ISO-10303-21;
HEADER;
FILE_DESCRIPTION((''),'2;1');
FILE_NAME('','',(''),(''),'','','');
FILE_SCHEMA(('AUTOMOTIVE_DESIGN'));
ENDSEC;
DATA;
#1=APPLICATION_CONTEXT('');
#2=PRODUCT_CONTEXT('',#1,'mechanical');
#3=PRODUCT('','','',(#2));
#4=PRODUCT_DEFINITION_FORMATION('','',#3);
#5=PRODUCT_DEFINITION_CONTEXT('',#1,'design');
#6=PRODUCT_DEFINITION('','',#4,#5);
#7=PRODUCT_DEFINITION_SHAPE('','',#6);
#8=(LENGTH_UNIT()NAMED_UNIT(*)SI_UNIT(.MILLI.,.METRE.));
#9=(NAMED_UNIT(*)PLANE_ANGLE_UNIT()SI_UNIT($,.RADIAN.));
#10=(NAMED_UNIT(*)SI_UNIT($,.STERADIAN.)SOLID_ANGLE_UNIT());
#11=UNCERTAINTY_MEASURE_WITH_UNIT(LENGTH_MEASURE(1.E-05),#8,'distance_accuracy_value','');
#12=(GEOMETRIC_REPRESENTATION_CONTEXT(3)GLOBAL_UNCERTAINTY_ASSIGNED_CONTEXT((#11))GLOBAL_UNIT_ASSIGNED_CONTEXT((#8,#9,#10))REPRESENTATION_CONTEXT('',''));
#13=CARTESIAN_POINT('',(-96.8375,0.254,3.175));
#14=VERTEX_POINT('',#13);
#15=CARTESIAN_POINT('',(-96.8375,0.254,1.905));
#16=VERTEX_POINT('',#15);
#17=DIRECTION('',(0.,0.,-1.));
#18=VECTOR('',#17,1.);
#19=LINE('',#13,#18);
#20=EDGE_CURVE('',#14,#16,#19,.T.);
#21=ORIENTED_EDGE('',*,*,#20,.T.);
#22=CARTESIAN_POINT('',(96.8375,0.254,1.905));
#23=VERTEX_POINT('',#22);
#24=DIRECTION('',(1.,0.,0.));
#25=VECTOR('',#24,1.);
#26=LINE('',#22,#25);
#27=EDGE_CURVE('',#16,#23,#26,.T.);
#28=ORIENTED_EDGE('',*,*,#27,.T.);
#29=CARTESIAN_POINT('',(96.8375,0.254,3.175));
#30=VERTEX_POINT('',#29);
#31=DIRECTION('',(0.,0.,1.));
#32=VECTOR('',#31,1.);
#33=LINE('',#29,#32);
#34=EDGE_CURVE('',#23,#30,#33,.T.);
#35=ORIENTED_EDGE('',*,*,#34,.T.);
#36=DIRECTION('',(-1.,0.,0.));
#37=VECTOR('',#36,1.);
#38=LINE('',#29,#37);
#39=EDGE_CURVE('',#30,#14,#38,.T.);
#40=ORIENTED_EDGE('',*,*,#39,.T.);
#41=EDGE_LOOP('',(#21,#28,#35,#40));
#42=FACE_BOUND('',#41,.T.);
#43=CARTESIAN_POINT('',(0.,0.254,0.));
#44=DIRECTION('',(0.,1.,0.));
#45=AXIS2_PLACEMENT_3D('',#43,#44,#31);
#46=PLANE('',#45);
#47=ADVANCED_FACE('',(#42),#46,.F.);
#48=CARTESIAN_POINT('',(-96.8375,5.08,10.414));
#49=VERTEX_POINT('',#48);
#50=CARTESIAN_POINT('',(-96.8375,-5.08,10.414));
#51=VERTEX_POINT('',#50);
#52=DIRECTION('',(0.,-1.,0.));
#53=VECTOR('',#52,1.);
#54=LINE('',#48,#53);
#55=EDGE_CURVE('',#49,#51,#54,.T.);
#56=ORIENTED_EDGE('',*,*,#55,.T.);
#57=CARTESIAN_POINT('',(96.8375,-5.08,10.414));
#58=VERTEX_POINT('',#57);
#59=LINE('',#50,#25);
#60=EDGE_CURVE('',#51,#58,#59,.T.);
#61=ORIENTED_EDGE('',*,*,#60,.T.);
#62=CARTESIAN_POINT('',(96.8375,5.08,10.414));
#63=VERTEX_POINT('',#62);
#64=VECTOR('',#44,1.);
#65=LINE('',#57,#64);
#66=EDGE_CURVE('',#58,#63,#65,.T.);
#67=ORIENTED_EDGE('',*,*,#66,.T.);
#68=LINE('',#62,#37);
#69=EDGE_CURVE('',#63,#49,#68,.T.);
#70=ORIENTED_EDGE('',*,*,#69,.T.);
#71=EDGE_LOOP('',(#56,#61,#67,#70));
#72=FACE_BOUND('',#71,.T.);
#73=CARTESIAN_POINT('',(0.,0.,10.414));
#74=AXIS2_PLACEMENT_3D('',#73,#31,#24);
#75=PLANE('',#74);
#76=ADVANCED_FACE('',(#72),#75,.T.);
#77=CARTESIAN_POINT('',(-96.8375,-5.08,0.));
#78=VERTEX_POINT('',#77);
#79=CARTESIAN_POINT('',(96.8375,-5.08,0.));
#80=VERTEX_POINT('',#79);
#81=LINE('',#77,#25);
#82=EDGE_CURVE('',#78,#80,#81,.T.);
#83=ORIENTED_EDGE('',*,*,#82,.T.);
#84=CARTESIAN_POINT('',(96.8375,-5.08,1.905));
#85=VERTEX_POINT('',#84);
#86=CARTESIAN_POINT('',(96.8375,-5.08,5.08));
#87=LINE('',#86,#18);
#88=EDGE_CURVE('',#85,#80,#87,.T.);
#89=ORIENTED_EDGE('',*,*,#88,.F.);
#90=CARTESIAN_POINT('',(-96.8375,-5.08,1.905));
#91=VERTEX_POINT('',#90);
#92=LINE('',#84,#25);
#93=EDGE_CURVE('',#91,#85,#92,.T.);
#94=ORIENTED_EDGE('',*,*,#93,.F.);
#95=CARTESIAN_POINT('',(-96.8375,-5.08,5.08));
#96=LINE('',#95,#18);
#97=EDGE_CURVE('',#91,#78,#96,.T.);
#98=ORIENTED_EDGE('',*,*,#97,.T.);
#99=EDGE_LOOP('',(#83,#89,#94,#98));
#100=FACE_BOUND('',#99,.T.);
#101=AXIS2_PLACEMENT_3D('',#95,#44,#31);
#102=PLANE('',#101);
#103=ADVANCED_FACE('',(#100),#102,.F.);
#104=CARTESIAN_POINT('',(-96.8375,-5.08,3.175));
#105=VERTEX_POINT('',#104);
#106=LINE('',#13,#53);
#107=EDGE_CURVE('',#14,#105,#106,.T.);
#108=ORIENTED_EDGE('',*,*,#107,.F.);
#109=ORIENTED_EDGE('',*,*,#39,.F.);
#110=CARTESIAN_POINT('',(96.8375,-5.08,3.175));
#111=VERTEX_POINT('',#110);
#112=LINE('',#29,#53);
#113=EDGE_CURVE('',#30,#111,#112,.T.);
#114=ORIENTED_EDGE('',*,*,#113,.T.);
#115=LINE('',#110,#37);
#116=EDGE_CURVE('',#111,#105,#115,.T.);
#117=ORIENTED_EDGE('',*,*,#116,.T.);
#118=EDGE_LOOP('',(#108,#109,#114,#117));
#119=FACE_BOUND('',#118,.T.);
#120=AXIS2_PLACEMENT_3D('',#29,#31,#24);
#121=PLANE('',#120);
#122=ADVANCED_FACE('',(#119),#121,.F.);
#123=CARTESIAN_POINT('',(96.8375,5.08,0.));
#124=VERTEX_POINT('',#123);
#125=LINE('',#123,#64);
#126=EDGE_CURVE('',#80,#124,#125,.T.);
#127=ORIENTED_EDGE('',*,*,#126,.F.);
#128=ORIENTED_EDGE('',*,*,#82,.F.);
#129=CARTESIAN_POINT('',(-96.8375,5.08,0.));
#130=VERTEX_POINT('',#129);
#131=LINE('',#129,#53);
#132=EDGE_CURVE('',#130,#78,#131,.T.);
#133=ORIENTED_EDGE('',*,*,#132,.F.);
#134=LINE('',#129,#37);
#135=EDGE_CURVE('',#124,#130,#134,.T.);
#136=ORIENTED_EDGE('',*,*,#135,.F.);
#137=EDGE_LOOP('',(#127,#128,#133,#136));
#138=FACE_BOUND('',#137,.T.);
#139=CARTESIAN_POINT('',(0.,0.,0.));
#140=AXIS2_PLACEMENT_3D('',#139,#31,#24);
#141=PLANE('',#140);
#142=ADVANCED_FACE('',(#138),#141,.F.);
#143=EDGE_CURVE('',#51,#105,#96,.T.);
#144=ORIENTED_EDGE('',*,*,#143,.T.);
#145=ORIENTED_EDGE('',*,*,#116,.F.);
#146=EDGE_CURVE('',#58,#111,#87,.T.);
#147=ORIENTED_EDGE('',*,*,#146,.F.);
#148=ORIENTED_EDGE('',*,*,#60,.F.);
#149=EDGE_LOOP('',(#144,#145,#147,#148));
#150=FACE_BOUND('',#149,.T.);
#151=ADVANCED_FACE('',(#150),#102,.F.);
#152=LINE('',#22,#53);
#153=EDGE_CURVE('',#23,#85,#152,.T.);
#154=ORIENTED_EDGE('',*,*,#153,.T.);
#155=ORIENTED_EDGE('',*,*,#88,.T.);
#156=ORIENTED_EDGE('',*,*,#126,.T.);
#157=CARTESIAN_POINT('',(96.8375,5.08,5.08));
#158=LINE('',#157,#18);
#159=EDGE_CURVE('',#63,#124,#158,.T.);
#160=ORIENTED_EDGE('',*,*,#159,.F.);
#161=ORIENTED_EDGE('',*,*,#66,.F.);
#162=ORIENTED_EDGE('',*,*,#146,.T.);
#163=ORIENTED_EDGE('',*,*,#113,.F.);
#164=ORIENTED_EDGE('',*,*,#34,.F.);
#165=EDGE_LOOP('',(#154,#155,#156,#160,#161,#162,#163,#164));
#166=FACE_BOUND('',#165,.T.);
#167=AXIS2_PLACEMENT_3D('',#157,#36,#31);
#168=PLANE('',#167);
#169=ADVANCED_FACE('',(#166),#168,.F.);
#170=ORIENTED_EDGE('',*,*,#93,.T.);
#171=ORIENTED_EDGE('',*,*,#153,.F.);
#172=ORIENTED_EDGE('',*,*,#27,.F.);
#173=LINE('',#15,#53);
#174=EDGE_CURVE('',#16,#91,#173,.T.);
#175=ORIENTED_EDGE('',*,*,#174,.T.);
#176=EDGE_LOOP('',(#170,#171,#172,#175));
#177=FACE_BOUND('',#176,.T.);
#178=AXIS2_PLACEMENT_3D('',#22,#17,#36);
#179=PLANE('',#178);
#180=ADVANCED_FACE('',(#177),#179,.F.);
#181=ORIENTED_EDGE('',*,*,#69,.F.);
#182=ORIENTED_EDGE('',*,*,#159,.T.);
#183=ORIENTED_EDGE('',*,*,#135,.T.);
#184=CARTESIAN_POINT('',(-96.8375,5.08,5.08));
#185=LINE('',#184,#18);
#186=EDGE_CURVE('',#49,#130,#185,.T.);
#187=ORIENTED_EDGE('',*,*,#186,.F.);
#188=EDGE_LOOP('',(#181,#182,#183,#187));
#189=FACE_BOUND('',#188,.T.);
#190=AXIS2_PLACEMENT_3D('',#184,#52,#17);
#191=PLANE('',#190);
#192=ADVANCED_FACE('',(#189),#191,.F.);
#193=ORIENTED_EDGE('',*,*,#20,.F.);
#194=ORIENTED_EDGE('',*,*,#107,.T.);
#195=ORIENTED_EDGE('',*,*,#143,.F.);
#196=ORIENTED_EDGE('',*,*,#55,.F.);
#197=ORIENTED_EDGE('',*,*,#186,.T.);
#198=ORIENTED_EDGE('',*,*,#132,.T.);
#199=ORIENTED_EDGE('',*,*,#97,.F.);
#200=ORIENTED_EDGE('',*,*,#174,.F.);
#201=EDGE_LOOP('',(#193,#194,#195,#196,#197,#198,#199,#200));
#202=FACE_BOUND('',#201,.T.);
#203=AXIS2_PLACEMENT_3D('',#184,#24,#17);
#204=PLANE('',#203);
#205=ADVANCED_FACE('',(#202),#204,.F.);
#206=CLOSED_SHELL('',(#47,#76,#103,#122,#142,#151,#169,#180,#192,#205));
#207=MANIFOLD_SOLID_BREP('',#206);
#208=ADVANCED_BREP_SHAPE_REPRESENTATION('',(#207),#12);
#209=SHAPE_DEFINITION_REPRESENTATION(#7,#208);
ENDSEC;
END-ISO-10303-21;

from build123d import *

# Parameters (mm, degrees)
SKETCH1_W           = 193.675
SKETCH1_H           = 10.16
BOSS_EXTRUDE1_DEPTH = 5.08
SKETCH2_W           = 193.675
SKETCH2_H           = 1.27
CUT_EXTRUDE1_DEPTH  = 5.334
SKETCH3_W           = 193.675
SKETCH3_H           = 10.16
BOSS_EXTRUDE2_DEPTH = 5.334


with BuildPart() as part:
    # Sketch1 → Boss-Extrude1 (new body)
    with BuildSketch(Plane.XY):
        Rectangle(SKETCH1_W, SKETCH1_H)
    extrude(amount=BOSS_EXTRUDE1_DEPTH)

    # Sketch2 → Cut-Extrude1 (cut)
    with BuildSketch(Plane.XZ.offset(5.08)):
        with Locations((0, 2.54)):
            Rectangle(SKETCH2_W, SKETCH2_H)
    extrude(amount=-CUT_EXTRUDE1_DEPTH, mode=Mode.SUBTRACT)

    # Sketch3 → Boss-Extrude2 (add)
    with BuildSketch(Plane.XY.offset(5.08)):
        Rectangle(SKETCH3_W, SKETCH3_H)
    extrude(amount=BOSS_EXTRUDE2_DEPTH)


solid = part.part
